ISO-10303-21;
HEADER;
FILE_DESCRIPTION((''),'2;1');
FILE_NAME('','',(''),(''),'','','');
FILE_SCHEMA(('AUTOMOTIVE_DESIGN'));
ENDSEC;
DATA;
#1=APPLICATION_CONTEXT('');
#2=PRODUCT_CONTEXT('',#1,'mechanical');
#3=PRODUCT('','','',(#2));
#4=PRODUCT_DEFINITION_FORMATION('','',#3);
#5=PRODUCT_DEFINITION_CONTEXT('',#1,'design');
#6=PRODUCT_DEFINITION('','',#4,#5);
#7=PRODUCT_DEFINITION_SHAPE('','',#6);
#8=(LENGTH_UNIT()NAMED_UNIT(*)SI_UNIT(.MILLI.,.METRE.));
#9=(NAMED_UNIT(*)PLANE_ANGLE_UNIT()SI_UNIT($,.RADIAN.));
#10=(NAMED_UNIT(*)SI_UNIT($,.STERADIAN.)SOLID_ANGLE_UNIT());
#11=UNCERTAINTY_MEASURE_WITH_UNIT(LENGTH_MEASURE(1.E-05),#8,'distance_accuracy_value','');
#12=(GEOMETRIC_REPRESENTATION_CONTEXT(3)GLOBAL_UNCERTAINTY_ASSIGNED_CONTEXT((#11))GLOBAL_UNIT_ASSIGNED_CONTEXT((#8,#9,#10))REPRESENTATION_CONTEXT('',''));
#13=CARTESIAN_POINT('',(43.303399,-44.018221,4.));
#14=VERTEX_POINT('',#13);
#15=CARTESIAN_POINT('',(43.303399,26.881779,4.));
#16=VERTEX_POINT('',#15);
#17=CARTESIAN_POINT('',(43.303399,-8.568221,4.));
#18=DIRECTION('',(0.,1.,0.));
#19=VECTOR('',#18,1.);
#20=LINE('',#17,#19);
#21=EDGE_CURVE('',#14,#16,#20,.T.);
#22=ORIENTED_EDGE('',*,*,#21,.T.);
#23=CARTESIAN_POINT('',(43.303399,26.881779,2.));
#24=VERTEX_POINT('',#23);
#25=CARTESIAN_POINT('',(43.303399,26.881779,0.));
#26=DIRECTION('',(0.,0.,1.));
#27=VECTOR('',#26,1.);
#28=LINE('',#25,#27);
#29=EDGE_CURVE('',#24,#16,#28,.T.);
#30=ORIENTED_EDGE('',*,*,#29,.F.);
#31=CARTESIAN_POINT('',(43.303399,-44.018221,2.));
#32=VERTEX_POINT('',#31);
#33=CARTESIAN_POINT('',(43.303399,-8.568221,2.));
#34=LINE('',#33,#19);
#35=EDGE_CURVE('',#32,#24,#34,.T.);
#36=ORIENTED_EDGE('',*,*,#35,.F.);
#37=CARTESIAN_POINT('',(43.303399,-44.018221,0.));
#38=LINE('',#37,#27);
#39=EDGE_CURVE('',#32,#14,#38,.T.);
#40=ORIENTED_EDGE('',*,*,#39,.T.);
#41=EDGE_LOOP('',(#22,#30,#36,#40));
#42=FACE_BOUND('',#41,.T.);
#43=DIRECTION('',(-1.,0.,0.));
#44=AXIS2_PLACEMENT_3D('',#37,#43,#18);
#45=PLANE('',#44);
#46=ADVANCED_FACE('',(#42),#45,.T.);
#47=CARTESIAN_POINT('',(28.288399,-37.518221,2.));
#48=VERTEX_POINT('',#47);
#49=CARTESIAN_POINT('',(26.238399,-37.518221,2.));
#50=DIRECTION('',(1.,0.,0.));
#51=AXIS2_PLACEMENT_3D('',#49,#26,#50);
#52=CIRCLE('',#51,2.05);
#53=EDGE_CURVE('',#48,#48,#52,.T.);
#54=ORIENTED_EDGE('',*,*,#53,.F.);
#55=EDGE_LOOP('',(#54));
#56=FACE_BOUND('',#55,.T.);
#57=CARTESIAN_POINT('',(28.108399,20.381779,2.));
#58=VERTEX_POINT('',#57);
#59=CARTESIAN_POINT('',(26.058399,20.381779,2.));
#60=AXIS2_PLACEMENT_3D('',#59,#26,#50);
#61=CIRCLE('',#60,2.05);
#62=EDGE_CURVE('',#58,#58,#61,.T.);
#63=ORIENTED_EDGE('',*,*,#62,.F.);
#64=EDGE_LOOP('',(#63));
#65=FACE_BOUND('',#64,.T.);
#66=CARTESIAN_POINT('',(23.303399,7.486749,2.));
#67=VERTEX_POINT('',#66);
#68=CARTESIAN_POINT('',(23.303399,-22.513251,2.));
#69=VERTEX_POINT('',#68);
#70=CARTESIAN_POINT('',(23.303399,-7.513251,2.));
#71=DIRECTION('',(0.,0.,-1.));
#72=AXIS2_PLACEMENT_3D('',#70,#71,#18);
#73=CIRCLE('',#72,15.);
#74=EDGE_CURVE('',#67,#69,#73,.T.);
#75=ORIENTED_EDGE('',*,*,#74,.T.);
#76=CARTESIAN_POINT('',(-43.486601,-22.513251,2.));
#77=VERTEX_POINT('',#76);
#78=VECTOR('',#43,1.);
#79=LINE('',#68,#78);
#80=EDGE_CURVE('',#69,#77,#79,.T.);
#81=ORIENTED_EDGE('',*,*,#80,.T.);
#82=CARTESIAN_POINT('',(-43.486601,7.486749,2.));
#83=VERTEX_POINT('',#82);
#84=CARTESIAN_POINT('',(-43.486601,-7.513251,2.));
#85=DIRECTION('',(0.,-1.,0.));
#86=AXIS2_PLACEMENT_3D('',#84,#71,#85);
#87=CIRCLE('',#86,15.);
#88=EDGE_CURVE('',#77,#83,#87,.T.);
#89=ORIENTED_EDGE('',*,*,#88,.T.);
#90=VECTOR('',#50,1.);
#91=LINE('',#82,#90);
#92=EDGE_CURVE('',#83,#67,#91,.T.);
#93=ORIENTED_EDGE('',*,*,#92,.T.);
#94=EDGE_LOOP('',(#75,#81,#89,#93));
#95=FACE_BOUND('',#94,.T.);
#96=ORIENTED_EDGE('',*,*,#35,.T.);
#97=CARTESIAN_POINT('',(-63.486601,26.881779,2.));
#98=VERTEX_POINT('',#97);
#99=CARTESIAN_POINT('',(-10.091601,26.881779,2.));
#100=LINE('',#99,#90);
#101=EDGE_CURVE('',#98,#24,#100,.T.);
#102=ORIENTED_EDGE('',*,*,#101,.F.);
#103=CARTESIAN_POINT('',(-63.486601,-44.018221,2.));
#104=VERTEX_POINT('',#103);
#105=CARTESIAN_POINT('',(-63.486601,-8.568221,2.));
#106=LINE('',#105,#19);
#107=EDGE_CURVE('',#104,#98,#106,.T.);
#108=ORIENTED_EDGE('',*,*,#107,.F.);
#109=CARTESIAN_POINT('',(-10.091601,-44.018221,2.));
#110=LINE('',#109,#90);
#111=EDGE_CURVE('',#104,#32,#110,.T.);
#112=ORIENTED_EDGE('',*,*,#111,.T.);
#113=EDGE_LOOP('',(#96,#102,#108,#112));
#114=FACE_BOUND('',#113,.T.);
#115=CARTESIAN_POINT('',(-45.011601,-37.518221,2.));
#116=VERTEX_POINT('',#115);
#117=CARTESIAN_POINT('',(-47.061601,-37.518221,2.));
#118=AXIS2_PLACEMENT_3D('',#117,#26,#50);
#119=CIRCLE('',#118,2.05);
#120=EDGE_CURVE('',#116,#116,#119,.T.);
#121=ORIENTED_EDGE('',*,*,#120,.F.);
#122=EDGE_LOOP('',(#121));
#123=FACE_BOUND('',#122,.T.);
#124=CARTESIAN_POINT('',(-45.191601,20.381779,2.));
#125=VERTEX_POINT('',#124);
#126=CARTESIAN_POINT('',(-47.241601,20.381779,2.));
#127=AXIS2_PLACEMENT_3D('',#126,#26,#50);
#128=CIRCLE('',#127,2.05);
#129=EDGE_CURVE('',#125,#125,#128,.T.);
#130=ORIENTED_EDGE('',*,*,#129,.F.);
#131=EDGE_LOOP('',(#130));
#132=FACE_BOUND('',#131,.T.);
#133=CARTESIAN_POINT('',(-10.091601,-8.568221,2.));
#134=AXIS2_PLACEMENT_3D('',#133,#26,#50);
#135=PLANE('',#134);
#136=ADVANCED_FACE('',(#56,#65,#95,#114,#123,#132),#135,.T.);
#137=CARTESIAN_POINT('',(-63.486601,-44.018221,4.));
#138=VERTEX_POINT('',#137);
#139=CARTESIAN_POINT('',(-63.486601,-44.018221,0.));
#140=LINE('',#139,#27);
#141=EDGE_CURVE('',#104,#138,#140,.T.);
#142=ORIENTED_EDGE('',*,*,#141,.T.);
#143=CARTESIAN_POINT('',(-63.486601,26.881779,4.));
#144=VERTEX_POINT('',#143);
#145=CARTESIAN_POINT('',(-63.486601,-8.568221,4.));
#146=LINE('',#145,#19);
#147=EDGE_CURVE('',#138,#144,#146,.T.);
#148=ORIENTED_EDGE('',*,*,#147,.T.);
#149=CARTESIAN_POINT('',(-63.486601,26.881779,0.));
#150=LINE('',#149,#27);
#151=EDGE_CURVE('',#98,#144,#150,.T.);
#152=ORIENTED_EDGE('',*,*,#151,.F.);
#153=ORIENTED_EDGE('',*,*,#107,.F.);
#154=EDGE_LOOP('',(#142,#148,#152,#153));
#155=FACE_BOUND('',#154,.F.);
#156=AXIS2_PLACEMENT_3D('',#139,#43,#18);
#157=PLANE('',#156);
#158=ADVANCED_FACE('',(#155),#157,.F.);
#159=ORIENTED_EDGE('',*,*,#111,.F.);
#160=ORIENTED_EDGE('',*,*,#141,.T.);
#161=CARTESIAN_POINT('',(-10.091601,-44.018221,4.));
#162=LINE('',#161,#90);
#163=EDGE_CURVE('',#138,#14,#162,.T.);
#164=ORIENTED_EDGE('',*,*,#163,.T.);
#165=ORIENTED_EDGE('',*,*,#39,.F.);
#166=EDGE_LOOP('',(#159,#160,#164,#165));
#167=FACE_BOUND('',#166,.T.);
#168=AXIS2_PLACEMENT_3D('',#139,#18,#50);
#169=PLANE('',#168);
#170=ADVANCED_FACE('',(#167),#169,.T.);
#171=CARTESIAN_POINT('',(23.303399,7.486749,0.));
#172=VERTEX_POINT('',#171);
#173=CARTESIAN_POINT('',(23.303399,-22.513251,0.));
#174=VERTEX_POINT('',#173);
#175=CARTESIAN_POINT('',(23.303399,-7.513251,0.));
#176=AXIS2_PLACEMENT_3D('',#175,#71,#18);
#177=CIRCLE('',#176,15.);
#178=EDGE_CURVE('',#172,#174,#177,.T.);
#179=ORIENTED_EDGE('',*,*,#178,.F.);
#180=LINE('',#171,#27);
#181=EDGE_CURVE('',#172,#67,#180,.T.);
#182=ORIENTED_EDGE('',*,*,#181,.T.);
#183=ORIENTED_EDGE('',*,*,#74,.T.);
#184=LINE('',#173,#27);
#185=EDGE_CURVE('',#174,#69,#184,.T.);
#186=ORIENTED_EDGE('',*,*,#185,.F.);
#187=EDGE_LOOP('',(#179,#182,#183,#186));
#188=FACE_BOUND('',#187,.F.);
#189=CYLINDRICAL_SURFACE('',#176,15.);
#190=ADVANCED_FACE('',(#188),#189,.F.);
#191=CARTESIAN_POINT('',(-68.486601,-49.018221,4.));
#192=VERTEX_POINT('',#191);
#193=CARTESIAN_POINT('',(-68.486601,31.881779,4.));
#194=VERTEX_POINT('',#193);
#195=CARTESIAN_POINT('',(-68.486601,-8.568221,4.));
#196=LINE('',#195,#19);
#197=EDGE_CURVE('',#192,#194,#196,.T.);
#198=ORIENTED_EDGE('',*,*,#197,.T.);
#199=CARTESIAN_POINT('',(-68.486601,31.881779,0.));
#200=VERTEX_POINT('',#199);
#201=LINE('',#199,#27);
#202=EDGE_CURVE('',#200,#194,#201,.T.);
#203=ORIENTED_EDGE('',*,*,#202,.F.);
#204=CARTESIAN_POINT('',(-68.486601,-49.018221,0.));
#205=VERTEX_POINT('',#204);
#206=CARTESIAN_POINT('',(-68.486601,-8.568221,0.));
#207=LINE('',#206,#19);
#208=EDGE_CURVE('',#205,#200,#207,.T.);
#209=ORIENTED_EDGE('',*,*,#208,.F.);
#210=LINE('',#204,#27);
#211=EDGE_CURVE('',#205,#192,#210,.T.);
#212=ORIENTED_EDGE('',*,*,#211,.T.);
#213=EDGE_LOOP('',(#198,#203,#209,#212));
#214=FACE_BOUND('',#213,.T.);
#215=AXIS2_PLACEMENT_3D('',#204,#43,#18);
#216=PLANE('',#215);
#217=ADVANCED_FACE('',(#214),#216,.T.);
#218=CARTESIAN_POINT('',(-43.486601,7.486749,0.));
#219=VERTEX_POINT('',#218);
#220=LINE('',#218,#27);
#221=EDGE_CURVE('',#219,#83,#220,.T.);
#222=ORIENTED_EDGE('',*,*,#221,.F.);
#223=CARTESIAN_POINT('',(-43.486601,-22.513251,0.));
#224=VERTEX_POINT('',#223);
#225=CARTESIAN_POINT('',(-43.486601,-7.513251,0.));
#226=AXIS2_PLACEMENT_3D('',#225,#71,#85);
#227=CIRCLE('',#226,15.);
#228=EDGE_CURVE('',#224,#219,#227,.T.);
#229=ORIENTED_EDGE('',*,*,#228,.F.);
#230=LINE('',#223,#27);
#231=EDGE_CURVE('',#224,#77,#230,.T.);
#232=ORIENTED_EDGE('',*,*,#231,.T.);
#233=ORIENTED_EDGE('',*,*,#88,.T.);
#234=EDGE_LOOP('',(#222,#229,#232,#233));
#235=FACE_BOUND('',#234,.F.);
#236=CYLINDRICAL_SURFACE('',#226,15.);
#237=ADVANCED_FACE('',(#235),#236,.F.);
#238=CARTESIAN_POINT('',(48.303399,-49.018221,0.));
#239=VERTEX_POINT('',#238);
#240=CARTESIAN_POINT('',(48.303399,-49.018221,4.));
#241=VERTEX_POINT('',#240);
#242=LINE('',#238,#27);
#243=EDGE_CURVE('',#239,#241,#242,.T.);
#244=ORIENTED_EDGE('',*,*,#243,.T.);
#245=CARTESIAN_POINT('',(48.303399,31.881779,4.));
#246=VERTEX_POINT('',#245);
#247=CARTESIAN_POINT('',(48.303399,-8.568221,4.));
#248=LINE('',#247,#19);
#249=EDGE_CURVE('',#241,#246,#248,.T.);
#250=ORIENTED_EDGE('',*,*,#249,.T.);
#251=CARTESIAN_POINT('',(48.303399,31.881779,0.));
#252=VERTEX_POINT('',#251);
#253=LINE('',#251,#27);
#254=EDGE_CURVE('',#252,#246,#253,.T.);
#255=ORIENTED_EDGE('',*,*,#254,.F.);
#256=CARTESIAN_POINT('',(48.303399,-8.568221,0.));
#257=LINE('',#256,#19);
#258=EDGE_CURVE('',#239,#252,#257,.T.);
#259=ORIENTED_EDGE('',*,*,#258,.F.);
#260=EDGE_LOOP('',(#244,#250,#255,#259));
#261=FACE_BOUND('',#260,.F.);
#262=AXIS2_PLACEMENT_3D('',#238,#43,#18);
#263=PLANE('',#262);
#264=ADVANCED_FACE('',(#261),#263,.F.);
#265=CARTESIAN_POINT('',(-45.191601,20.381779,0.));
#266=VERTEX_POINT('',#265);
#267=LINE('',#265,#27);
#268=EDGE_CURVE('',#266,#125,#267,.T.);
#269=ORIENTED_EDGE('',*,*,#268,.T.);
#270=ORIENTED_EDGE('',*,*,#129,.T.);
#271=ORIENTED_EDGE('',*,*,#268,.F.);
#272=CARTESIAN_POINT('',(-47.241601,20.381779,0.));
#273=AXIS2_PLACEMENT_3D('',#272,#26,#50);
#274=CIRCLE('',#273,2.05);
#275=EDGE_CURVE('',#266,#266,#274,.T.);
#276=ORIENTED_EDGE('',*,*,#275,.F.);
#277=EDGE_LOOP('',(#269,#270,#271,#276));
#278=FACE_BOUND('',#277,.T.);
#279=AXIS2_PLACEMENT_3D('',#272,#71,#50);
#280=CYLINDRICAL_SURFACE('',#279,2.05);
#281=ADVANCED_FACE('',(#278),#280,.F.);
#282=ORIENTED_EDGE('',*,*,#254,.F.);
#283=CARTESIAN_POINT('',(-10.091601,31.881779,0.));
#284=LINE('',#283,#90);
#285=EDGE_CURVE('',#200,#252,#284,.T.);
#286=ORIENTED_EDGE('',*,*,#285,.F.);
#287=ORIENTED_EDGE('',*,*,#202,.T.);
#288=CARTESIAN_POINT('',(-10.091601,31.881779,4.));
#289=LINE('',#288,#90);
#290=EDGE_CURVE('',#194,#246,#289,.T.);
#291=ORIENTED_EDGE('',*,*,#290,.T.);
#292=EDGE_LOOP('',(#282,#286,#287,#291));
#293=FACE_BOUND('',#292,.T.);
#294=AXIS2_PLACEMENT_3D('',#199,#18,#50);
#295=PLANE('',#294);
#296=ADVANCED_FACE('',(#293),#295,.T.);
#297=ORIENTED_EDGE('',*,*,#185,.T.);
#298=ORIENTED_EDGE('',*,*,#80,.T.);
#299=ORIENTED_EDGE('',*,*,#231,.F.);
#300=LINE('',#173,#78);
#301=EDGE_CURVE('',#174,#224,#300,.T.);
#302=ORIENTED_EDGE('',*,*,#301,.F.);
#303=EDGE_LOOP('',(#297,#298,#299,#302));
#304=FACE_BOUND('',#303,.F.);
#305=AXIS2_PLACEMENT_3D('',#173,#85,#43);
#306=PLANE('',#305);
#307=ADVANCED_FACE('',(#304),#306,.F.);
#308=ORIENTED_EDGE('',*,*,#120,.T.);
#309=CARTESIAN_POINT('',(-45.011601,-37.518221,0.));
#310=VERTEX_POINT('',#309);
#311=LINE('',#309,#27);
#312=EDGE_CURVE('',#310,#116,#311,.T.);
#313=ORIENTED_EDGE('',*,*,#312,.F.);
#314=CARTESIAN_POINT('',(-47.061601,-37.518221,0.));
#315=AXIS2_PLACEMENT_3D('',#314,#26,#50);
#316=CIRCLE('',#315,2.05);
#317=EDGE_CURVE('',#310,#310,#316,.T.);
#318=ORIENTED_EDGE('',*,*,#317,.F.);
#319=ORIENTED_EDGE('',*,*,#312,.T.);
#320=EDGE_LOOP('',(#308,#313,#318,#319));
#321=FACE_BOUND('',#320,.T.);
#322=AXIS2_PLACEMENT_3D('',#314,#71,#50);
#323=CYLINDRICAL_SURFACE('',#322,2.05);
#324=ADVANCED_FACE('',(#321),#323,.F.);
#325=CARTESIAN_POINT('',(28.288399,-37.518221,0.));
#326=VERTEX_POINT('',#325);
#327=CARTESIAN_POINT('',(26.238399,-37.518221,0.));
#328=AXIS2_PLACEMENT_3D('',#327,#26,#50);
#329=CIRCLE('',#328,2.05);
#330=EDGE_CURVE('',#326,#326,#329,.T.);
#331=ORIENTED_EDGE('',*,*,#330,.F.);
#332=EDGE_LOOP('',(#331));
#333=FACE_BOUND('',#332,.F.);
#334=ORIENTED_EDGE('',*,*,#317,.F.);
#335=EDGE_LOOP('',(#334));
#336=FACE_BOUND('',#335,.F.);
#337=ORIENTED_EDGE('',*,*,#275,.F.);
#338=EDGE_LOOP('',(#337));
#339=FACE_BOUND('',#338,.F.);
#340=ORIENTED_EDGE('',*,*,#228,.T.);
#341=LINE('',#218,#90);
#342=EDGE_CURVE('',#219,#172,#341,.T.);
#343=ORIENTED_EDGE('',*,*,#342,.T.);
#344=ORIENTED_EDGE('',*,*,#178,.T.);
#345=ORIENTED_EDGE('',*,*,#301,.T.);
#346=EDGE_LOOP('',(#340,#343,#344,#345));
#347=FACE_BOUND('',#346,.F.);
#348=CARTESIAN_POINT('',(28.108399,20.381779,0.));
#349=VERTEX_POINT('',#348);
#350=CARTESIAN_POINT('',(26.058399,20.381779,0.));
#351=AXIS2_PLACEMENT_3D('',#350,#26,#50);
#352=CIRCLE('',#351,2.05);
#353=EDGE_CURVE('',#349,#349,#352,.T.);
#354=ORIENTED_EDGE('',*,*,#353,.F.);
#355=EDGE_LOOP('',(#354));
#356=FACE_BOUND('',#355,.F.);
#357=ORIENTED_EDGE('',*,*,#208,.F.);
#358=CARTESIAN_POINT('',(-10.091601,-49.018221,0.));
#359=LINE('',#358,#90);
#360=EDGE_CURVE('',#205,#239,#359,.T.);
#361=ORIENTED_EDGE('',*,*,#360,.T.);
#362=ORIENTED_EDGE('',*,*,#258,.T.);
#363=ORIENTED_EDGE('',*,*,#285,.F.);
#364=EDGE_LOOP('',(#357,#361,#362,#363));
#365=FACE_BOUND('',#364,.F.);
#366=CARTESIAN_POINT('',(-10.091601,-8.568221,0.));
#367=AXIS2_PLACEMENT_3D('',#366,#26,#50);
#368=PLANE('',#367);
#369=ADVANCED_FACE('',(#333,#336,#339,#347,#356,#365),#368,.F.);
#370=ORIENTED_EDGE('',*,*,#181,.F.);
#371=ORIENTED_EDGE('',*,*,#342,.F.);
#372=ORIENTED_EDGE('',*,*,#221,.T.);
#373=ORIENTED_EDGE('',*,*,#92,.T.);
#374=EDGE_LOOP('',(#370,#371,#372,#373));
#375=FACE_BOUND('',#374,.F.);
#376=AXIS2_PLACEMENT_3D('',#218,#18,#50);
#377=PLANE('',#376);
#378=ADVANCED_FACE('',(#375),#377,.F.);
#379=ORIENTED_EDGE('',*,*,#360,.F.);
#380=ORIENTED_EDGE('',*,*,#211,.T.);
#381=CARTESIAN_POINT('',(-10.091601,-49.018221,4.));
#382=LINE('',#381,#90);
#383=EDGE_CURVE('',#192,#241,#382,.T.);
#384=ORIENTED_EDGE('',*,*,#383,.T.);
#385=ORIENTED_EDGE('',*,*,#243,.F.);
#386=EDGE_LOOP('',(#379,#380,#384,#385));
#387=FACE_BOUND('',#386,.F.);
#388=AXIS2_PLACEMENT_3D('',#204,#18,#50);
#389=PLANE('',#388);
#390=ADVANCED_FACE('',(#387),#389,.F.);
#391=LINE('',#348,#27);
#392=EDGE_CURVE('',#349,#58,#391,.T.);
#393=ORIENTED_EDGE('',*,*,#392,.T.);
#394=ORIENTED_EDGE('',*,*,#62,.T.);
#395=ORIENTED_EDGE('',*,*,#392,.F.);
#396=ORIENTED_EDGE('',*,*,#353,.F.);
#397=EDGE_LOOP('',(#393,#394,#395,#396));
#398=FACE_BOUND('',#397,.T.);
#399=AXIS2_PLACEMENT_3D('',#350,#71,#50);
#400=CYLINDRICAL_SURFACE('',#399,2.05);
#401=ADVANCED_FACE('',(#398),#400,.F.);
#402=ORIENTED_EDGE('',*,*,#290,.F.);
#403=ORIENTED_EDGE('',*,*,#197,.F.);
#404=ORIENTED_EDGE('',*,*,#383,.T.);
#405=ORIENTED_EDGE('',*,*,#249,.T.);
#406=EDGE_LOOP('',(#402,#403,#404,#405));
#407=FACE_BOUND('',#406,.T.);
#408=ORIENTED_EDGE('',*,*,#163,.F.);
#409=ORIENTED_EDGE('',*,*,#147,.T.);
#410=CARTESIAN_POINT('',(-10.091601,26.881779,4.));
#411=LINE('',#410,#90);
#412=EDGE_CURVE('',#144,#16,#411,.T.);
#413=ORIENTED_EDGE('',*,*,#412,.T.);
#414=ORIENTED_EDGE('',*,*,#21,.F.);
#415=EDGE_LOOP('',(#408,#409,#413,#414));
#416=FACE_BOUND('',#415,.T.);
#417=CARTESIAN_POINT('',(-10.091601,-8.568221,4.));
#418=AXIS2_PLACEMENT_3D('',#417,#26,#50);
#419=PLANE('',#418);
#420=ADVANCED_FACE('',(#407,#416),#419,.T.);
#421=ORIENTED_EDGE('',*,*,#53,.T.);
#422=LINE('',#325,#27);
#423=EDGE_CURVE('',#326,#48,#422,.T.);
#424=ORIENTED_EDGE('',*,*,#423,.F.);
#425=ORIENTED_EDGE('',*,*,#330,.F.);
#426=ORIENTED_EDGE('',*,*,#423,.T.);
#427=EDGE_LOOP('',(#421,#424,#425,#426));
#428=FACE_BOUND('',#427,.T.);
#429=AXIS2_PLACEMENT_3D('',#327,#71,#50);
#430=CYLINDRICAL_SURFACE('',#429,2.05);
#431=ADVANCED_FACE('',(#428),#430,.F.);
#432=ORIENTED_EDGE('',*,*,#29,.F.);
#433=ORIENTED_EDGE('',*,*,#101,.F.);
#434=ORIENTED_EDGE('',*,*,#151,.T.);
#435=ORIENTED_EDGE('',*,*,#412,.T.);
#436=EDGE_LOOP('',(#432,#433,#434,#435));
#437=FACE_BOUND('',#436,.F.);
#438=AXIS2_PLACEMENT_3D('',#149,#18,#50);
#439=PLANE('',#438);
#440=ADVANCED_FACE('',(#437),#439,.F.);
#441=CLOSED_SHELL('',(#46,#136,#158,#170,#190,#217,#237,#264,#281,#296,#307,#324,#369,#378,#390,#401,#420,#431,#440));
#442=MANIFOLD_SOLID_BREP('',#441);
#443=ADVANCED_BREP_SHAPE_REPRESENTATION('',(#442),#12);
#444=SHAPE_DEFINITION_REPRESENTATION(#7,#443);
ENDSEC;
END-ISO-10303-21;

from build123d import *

# Parameters (mm, degrees)
F0_W     = 106.79
F0_H     = 70.9
F0_R     = 2.05
F1_DEPTH = 2
F0_W_2   = 116.79
F0_H_2   = 80.9
F2_DEPTH = 4


with BuildPart() as f1:
    # F0 (on Top) → F1 (new body)
    with BuildSketch(Plane.XY):
        with Locations((-10.0916011143, -8.5682209864)):
            Rectangle(F0_W, F0_H)
        with Locations((-47.0616011143, -37.5182209864)):
            Circle(F0_R, mode=Mode.SUBTRACT)
        with Locations((26.2383988857, -37.5182209864)):
            Circle(F0_R, mode=Mode.SUBTRACT)
        with Locations((-47.2416011143, 20.3817790136)):
            Circle(F0_R, mode=Mode.SUBTRACT)
        with BuildLine():
            Line((23.3033988857, -22.5132511556), (-43.4866011143, -22.5132511556))
            ThreePointArc((-43.4866011143, -22.5132511556), (-58.4866011143, -7.5132511556), (-43.4866011143, 7.4867488444))
            Line((-43.4866011143, 7.4867488444), (23.3033988857, 7.4867488444))
            ThreePointArc((23.3033988857, 7.4867488444), (38.3033988857, -7.5132511556), (23.3033988857, -22.5132511556))
        make_face(mode=Mode.SUBTRACT)
        with Locations((26.0583988857, 20.3817790136)):
            Circle(F0_R, mode=Mode.SUBTRACT)
    extrude(amount=F1_DEPTH)

    # F0 (on Top) → F2 (join)
    with BuildSketch(Plane.XY):
        with Locations((-10.0916011143, -8.5682209864)):
            Rectangle(F0_W_2, F0_H_2)
        with Locations((-10.0916011143, -8.5682209864)):
            Rectangle(F0_W, F0_H, mode=Mode.SUBTRACT)
    extrude(amount=F2_DEPTH)


solid = f1.part
